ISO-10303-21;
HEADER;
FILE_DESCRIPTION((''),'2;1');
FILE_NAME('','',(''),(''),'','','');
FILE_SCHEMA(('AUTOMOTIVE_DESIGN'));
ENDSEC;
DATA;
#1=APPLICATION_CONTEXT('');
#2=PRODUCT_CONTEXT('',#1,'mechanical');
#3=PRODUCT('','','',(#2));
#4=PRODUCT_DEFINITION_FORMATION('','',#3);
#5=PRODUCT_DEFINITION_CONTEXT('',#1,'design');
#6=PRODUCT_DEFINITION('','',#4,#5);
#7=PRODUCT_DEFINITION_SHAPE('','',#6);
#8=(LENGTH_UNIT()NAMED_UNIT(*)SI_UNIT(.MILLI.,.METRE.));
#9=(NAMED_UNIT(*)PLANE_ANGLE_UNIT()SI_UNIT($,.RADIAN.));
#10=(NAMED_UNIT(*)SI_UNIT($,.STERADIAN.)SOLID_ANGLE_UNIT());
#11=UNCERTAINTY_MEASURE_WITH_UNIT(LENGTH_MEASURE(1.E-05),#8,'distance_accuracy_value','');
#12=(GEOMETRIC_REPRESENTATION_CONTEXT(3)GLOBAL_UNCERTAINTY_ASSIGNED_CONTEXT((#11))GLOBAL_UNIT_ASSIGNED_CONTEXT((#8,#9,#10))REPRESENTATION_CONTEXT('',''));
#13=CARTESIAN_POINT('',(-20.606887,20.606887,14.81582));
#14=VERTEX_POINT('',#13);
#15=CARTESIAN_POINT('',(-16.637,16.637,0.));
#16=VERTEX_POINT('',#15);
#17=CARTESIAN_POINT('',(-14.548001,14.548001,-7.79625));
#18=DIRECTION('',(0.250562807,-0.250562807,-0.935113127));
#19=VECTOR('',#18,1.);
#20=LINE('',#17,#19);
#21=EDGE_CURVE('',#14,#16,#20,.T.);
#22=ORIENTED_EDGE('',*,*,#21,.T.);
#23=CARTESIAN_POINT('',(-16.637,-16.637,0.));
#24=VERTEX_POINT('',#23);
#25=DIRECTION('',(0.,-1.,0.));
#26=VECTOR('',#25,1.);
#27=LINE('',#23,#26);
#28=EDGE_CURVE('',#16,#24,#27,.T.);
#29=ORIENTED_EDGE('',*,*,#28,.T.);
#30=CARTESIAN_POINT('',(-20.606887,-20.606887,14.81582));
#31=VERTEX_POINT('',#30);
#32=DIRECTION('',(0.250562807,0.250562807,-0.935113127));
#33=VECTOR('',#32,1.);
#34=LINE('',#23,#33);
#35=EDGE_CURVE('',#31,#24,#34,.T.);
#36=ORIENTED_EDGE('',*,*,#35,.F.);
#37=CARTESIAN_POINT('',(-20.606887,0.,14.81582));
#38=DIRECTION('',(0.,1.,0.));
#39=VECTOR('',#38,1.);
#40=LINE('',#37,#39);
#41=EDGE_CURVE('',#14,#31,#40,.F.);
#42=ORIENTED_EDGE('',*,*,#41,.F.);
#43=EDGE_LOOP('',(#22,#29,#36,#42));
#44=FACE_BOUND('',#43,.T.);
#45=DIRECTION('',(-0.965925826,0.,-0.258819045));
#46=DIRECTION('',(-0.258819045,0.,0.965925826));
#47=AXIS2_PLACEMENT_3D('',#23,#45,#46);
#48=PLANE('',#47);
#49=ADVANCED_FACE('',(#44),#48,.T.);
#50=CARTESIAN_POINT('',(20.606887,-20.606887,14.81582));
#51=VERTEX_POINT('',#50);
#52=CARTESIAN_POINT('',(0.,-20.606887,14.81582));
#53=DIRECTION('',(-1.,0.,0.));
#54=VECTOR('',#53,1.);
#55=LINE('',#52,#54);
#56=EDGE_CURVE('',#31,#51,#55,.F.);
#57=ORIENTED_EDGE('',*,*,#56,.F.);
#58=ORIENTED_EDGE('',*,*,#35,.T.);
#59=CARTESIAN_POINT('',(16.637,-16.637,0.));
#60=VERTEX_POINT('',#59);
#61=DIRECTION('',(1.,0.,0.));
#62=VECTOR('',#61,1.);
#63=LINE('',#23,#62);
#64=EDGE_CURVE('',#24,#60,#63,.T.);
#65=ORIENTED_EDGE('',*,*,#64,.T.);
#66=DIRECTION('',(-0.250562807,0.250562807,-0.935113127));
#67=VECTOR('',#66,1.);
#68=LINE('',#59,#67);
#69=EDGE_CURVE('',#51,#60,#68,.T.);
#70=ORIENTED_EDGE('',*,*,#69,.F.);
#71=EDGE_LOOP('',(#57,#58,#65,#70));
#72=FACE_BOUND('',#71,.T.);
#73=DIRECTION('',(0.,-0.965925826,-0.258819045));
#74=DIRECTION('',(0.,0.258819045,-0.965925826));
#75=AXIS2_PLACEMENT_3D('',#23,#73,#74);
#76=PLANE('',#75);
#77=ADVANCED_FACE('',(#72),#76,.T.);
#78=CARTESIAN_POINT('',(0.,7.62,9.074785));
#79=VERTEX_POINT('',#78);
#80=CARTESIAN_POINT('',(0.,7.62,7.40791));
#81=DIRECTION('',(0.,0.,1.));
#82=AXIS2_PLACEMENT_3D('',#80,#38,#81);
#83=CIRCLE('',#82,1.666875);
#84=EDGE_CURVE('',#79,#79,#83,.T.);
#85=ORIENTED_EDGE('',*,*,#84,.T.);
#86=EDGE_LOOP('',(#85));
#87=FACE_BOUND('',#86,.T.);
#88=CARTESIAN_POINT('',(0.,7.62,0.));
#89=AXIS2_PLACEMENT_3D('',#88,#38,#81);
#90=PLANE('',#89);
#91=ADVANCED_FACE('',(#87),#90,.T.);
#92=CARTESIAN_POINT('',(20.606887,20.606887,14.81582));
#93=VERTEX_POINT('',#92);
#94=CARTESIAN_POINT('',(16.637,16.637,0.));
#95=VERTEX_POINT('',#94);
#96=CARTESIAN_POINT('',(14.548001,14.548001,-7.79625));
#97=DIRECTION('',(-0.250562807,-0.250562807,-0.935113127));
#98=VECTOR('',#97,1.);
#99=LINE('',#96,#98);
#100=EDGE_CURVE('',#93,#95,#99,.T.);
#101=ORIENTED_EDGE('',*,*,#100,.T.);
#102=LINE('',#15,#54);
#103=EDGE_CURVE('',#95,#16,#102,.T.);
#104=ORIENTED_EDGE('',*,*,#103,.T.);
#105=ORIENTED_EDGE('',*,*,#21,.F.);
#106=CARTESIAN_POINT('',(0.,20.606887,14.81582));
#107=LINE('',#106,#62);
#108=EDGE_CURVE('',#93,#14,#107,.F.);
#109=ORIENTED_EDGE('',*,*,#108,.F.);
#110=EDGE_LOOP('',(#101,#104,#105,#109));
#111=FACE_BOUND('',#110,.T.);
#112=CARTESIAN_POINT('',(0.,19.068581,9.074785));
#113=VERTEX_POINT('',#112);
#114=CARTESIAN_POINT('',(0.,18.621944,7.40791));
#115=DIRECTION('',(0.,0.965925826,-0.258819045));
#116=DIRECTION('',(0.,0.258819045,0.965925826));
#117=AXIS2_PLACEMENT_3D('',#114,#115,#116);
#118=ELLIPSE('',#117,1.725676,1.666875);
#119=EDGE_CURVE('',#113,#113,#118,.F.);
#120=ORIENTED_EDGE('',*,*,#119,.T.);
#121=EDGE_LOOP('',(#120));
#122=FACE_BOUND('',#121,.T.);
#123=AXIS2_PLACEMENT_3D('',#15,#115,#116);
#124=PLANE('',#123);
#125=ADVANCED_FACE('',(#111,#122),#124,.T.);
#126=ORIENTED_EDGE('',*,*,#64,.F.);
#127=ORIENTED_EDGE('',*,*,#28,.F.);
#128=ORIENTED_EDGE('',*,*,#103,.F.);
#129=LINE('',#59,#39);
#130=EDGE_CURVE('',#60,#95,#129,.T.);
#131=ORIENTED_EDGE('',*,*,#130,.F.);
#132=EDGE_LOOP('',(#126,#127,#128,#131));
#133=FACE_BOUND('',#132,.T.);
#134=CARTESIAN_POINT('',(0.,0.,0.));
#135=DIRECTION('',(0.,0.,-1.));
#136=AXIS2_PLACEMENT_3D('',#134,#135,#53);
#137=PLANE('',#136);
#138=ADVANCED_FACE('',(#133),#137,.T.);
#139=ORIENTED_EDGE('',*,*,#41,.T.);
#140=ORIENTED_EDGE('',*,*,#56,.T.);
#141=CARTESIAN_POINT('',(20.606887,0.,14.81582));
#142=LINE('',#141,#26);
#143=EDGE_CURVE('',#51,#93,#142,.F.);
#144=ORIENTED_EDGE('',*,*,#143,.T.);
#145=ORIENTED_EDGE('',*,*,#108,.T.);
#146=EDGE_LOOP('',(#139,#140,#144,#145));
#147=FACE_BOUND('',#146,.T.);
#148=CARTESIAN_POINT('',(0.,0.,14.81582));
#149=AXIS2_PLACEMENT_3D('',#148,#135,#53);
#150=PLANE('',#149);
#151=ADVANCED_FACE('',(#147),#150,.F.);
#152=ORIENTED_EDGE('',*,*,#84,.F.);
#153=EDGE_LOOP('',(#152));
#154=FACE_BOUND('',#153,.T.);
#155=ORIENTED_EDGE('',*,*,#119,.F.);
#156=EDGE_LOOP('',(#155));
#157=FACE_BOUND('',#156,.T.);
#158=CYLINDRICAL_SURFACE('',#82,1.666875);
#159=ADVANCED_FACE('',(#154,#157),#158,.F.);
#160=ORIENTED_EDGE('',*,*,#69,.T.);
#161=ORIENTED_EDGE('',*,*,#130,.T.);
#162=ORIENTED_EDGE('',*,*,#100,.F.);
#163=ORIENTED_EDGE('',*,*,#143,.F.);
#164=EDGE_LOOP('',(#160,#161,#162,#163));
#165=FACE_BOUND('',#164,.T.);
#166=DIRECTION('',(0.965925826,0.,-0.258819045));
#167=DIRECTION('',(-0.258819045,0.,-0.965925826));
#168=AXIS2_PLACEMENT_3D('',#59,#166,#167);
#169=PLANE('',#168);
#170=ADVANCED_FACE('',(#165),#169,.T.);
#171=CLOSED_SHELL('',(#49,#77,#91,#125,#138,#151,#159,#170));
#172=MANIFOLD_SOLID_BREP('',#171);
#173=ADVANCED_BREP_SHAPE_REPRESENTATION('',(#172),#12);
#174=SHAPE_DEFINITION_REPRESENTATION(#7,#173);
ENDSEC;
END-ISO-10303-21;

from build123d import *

# Parameters (mm, degrees)
ESQUISSE1_W             = 33.274
ESQUISSE1_H             = 33.274
BOSS_EXTRU_1_DEPTH      = 14.81582
BOSS_EXTRU_1_DRAFT      = -15
ENL_V_MAT_EXTRU_1_DEPTH = 12.7


with BuildPart() as part:
    # Esquisse1 → Boss.-Extru.1 (with draft: the straight prism first)
    with BuildSketch(Plane.XY):
        Rectangle(ESQUISSE1_W, ESQUISSE1_H)
    extrude(amount=BOSS_EXTRU_1_DEPTH)
    # Boss.-Extru.1: the draft: its side faces are tilted about the plane it starts from
    boss_extru_1_sides = [part.faces().sort_by_distance(p)[0] for p in [
        (0, -16.637, 7.40791),
        (16.637, 0, 7.40791),
        (0, 16.637, 7.40791),
        (-16.637, 0, 7.40791),
    ]]
    draft(boss_extru_1_sides, Plane.XY, BOSS_EXTRU_1_DRAFT)

    # Esquisse2 → Enlèv. mat.-Extru.1 (cut)
    with BuildSketch(Plane(origin=(0, 20.32, 0), x_dir=(1, 0, 0), z_dir=(0, 1, 0))):
        with BuildLine():
            ThreePointArc((0, -5.741035), (-1.178658616, -8.586568616), (1.666875, -7.40791))
            ThreePointArc((1.666875, -7.40791), (1.178658616, -6.229251384), (0, -5.741035))
        make_face()
    extrude(amount=-ENL_V_MAT_EXTRU_1_DEPTH, mode=Mode.SUBTRACT)


solid = part.part
